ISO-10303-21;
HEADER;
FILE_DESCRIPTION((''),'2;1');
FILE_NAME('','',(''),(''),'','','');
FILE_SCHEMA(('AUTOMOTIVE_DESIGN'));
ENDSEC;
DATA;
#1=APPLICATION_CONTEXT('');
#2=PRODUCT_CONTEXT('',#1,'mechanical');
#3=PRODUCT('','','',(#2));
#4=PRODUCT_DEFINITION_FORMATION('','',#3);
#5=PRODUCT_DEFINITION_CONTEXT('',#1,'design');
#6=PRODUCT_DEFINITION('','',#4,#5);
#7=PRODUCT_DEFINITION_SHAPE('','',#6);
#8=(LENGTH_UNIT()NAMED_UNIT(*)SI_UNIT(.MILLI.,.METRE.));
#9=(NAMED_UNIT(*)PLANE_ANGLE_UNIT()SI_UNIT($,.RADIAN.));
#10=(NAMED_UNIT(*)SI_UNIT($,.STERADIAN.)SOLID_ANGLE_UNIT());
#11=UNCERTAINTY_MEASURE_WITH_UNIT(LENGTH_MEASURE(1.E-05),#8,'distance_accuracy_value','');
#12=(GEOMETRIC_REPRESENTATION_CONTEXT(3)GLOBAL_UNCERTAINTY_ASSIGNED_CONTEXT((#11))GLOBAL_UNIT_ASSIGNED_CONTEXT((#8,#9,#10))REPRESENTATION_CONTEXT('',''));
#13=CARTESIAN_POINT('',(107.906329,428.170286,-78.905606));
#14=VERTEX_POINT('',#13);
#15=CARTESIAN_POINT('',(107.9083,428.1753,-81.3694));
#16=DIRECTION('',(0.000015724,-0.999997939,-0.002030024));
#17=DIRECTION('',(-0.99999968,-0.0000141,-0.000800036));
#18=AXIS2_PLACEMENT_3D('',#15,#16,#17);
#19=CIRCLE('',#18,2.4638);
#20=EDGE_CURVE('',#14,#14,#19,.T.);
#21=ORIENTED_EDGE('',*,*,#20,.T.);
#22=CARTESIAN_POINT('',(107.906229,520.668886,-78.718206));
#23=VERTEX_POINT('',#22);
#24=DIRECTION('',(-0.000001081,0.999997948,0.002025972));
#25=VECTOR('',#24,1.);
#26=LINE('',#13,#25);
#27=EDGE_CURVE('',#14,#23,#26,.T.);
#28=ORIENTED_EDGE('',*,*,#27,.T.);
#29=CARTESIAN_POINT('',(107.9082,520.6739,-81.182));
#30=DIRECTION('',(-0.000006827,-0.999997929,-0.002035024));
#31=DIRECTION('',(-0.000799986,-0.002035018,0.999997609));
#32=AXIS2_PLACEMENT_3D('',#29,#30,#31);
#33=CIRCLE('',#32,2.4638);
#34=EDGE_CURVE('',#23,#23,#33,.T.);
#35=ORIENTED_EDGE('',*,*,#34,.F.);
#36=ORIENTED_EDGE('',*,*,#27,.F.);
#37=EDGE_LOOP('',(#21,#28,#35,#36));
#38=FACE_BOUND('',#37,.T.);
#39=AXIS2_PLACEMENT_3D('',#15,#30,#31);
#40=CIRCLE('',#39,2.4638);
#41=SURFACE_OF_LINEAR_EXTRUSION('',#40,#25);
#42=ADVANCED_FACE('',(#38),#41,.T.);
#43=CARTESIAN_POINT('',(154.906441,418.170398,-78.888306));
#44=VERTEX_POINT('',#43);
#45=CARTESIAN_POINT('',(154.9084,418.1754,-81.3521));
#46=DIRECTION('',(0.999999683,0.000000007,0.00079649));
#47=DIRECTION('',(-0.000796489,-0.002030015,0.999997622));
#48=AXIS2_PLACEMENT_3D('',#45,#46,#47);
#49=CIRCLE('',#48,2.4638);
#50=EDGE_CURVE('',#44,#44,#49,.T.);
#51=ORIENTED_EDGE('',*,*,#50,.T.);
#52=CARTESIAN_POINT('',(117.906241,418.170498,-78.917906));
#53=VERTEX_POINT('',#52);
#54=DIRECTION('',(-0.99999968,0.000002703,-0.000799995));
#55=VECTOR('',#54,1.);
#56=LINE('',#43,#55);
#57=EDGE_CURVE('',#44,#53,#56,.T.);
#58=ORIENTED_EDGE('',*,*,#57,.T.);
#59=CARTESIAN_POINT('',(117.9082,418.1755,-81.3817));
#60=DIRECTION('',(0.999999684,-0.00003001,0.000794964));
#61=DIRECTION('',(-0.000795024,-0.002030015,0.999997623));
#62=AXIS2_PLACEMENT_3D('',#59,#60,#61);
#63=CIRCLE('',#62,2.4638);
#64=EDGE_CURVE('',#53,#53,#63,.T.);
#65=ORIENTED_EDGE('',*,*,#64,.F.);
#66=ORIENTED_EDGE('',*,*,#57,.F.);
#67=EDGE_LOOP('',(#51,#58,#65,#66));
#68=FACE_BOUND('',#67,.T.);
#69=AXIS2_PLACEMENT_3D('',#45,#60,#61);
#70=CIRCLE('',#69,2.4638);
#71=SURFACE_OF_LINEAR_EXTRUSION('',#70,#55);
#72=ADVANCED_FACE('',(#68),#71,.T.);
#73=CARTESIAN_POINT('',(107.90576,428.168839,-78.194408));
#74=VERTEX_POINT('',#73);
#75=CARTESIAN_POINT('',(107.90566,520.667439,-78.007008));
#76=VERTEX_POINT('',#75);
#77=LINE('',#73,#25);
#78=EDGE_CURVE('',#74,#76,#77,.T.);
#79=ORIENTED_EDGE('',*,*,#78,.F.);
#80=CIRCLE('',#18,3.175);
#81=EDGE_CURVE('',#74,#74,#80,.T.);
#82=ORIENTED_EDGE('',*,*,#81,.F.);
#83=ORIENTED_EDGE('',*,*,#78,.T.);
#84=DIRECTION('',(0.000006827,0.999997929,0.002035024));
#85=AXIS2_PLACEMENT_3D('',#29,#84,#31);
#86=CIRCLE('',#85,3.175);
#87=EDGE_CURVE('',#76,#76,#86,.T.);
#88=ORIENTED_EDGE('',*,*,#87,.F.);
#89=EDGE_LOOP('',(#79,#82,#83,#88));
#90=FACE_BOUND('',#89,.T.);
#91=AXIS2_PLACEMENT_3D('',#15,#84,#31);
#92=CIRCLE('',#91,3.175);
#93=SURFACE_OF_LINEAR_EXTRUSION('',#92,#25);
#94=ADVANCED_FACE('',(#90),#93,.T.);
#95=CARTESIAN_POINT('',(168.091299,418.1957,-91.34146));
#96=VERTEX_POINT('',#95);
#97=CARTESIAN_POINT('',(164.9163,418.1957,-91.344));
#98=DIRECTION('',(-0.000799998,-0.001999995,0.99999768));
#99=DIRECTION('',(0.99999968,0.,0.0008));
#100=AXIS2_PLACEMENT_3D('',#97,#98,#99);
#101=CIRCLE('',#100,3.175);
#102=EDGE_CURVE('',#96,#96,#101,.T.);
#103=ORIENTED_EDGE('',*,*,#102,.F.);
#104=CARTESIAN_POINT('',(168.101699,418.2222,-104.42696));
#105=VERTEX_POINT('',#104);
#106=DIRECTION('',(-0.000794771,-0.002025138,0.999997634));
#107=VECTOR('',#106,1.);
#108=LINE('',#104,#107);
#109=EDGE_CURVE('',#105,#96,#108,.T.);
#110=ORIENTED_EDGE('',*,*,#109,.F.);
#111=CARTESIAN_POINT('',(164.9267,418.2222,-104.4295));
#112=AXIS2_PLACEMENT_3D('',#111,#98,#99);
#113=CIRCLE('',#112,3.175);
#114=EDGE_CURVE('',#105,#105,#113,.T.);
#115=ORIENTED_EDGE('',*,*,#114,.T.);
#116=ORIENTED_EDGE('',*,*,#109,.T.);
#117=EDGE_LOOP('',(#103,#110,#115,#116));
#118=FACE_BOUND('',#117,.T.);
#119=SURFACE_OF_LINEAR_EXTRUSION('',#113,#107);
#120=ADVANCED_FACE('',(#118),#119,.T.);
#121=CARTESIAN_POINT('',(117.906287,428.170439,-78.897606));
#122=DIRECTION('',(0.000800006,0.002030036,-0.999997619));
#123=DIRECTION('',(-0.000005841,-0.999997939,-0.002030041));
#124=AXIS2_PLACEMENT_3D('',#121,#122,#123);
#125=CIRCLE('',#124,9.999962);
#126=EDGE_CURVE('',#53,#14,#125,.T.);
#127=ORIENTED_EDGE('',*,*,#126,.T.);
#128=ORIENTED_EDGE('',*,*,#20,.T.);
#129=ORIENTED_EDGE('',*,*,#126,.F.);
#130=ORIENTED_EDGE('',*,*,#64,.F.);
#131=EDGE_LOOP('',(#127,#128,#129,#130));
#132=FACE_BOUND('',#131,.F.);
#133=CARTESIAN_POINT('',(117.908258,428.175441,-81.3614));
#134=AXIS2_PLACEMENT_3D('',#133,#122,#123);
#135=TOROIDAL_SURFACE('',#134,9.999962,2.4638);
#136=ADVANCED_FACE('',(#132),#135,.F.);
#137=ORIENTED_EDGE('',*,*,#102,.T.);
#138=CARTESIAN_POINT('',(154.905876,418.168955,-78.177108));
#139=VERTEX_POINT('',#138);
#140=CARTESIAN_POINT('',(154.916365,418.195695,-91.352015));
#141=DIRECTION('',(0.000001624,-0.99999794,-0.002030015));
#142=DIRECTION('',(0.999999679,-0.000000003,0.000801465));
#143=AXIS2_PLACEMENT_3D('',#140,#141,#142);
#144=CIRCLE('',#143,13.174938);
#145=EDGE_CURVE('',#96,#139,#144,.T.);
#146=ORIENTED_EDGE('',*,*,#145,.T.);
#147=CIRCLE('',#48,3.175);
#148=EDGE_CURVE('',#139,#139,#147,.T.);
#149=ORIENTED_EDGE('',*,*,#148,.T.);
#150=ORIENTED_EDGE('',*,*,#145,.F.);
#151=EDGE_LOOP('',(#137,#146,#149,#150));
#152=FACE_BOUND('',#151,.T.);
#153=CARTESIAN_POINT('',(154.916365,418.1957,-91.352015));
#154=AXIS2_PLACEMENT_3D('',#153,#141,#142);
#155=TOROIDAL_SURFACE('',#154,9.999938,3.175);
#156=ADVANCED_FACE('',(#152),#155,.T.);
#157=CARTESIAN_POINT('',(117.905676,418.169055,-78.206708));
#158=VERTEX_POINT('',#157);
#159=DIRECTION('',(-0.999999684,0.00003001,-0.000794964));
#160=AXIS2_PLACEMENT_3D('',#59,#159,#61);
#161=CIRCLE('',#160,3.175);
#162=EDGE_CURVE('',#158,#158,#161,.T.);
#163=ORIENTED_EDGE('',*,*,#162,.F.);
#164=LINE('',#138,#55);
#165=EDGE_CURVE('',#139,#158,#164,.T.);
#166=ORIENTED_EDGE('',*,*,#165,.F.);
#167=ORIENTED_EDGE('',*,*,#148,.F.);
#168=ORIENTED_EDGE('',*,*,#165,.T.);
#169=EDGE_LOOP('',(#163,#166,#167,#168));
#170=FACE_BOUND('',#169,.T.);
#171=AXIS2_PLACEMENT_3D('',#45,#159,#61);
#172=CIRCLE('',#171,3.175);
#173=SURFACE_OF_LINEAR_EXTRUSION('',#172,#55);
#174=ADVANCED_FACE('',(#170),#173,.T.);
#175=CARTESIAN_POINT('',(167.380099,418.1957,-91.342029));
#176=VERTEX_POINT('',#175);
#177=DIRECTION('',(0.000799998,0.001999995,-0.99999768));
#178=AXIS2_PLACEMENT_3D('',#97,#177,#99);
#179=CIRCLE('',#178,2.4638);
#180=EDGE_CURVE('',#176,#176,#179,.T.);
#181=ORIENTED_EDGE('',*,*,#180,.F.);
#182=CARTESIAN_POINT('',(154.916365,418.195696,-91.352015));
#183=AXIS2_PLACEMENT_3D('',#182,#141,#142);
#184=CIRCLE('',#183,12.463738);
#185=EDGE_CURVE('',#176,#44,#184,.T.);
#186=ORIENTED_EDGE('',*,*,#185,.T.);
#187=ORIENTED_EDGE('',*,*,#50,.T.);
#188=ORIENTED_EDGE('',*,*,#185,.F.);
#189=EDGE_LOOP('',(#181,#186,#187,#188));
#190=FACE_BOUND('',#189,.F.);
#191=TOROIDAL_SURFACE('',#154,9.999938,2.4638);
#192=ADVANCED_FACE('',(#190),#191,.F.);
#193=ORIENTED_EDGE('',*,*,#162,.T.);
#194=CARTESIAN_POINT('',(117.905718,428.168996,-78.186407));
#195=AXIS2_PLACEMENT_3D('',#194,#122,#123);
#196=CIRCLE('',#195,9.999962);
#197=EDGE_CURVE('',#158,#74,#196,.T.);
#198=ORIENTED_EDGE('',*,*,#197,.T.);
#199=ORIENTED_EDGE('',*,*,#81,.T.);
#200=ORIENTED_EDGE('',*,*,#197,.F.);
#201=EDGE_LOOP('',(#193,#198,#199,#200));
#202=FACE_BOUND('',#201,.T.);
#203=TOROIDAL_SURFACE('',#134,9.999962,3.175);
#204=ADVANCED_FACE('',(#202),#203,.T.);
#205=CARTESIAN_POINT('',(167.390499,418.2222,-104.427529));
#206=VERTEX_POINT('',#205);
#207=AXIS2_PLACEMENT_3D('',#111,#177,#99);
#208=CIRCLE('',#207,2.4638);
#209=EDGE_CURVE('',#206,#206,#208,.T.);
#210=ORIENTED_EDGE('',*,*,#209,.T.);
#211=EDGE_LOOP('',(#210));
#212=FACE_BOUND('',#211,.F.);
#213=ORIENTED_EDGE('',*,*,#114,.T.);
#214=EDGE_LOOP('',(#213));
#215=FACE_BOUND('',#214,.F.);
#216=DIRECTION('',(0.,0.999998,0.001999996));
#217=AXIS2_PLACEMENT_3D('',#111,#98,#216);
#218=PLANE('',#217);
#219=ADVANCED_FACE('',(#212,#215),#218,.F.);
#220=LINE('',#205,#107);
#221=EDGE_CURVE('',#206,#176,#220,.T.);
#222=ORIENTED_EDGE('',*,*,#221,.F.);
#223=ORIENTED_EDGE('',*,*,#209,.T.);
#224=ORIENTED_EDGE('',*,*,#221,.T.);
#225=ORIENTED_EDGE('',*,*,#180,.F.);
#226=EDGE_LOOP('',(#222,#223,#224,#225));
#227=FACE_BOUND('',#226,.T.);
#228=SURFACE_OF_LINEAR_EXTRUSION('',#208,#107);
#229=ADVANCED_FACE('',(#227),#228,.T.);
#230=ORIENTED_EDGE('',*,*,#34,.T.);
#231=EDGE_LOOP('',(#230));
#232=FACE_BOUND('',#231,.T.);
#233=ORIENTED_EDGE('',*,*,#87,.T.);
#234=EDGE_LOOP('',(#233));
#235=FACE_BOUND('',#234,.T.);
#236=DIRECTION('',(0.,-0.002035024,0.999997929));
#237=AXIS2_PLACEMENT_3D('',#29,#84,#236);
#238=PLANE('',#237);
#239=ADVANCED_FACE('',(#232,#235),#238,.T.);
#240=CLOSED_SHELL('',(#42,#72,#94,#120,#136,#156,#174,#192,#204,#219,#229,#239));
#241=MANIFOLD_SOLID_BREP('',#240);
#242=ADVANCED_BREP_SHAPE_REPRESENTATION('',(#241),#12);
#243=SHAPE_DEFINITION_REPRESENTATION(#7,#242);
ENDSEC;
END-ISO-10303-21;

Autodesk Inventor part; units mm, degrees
ref_plane "YZ Plane" through (0, 0, 0) normal (1, 0, 0) x (0, 1, 0)
ref_plane "XZ Plane" through (0, 0, 0) normal (0, 1, 0) x (-1, 0, 0)
ref_plane "Work Plane5" through (164.9267, 418.2222, -104.4295) normal (-0.0008, -0.002, 1) x (1, 0, 0.0008)
sketch "Sketch5" plane through (164.9267, 418.2222, -104.4295) normal (-0.0008, -0.002, 1) x (1, 0, 0.0008)
  circle A0 centre (0, 0) radius 3.175
  circle A1 centre (0, 0) radius 2.4638
sketch3d "3D Sketch3"
  line L0 (164.9267, 418.2222, -104.4295) -> (164.9163, 418.1957, -91.344)
  arc A0 (164.9163, 418.1957, -91.344) -> (154.9084, 418.1754, -81.3521) centre (154.9164, 418.1957, -91.352) ccw
  line L1 (154.9084, 418.1754, -81.3521) -> (117.9082, 418.1755, -81.3817)
  arc A1 (117.9082, 418.1755, -81.3817) -> (107.9083, 428.1753, -81.3694) centre (117.9082, 428.1753, -81.3614) ccw
  line L2 (107.9083, 428.1753, -81.3694) -> (107.9082, 520.6739, -81.182)
  dimension "d14" = 9.9999
  dimension "d15" = 9.9999
sweep "Sweep3" add profiles "Sketch5" path "3D Sketch3"
equation "\"OD\" = 6.35"
equation "\"t\" = 0.7112"
equation "\"L\" = PL"
equation "\"ID\" = 4.9276"
equation "\"PL\" = 173.99"
equation "\"D\" = 15.24"
equation "\"Size_Designation\" = 1.2345"
properties material "Stainless Steel"
